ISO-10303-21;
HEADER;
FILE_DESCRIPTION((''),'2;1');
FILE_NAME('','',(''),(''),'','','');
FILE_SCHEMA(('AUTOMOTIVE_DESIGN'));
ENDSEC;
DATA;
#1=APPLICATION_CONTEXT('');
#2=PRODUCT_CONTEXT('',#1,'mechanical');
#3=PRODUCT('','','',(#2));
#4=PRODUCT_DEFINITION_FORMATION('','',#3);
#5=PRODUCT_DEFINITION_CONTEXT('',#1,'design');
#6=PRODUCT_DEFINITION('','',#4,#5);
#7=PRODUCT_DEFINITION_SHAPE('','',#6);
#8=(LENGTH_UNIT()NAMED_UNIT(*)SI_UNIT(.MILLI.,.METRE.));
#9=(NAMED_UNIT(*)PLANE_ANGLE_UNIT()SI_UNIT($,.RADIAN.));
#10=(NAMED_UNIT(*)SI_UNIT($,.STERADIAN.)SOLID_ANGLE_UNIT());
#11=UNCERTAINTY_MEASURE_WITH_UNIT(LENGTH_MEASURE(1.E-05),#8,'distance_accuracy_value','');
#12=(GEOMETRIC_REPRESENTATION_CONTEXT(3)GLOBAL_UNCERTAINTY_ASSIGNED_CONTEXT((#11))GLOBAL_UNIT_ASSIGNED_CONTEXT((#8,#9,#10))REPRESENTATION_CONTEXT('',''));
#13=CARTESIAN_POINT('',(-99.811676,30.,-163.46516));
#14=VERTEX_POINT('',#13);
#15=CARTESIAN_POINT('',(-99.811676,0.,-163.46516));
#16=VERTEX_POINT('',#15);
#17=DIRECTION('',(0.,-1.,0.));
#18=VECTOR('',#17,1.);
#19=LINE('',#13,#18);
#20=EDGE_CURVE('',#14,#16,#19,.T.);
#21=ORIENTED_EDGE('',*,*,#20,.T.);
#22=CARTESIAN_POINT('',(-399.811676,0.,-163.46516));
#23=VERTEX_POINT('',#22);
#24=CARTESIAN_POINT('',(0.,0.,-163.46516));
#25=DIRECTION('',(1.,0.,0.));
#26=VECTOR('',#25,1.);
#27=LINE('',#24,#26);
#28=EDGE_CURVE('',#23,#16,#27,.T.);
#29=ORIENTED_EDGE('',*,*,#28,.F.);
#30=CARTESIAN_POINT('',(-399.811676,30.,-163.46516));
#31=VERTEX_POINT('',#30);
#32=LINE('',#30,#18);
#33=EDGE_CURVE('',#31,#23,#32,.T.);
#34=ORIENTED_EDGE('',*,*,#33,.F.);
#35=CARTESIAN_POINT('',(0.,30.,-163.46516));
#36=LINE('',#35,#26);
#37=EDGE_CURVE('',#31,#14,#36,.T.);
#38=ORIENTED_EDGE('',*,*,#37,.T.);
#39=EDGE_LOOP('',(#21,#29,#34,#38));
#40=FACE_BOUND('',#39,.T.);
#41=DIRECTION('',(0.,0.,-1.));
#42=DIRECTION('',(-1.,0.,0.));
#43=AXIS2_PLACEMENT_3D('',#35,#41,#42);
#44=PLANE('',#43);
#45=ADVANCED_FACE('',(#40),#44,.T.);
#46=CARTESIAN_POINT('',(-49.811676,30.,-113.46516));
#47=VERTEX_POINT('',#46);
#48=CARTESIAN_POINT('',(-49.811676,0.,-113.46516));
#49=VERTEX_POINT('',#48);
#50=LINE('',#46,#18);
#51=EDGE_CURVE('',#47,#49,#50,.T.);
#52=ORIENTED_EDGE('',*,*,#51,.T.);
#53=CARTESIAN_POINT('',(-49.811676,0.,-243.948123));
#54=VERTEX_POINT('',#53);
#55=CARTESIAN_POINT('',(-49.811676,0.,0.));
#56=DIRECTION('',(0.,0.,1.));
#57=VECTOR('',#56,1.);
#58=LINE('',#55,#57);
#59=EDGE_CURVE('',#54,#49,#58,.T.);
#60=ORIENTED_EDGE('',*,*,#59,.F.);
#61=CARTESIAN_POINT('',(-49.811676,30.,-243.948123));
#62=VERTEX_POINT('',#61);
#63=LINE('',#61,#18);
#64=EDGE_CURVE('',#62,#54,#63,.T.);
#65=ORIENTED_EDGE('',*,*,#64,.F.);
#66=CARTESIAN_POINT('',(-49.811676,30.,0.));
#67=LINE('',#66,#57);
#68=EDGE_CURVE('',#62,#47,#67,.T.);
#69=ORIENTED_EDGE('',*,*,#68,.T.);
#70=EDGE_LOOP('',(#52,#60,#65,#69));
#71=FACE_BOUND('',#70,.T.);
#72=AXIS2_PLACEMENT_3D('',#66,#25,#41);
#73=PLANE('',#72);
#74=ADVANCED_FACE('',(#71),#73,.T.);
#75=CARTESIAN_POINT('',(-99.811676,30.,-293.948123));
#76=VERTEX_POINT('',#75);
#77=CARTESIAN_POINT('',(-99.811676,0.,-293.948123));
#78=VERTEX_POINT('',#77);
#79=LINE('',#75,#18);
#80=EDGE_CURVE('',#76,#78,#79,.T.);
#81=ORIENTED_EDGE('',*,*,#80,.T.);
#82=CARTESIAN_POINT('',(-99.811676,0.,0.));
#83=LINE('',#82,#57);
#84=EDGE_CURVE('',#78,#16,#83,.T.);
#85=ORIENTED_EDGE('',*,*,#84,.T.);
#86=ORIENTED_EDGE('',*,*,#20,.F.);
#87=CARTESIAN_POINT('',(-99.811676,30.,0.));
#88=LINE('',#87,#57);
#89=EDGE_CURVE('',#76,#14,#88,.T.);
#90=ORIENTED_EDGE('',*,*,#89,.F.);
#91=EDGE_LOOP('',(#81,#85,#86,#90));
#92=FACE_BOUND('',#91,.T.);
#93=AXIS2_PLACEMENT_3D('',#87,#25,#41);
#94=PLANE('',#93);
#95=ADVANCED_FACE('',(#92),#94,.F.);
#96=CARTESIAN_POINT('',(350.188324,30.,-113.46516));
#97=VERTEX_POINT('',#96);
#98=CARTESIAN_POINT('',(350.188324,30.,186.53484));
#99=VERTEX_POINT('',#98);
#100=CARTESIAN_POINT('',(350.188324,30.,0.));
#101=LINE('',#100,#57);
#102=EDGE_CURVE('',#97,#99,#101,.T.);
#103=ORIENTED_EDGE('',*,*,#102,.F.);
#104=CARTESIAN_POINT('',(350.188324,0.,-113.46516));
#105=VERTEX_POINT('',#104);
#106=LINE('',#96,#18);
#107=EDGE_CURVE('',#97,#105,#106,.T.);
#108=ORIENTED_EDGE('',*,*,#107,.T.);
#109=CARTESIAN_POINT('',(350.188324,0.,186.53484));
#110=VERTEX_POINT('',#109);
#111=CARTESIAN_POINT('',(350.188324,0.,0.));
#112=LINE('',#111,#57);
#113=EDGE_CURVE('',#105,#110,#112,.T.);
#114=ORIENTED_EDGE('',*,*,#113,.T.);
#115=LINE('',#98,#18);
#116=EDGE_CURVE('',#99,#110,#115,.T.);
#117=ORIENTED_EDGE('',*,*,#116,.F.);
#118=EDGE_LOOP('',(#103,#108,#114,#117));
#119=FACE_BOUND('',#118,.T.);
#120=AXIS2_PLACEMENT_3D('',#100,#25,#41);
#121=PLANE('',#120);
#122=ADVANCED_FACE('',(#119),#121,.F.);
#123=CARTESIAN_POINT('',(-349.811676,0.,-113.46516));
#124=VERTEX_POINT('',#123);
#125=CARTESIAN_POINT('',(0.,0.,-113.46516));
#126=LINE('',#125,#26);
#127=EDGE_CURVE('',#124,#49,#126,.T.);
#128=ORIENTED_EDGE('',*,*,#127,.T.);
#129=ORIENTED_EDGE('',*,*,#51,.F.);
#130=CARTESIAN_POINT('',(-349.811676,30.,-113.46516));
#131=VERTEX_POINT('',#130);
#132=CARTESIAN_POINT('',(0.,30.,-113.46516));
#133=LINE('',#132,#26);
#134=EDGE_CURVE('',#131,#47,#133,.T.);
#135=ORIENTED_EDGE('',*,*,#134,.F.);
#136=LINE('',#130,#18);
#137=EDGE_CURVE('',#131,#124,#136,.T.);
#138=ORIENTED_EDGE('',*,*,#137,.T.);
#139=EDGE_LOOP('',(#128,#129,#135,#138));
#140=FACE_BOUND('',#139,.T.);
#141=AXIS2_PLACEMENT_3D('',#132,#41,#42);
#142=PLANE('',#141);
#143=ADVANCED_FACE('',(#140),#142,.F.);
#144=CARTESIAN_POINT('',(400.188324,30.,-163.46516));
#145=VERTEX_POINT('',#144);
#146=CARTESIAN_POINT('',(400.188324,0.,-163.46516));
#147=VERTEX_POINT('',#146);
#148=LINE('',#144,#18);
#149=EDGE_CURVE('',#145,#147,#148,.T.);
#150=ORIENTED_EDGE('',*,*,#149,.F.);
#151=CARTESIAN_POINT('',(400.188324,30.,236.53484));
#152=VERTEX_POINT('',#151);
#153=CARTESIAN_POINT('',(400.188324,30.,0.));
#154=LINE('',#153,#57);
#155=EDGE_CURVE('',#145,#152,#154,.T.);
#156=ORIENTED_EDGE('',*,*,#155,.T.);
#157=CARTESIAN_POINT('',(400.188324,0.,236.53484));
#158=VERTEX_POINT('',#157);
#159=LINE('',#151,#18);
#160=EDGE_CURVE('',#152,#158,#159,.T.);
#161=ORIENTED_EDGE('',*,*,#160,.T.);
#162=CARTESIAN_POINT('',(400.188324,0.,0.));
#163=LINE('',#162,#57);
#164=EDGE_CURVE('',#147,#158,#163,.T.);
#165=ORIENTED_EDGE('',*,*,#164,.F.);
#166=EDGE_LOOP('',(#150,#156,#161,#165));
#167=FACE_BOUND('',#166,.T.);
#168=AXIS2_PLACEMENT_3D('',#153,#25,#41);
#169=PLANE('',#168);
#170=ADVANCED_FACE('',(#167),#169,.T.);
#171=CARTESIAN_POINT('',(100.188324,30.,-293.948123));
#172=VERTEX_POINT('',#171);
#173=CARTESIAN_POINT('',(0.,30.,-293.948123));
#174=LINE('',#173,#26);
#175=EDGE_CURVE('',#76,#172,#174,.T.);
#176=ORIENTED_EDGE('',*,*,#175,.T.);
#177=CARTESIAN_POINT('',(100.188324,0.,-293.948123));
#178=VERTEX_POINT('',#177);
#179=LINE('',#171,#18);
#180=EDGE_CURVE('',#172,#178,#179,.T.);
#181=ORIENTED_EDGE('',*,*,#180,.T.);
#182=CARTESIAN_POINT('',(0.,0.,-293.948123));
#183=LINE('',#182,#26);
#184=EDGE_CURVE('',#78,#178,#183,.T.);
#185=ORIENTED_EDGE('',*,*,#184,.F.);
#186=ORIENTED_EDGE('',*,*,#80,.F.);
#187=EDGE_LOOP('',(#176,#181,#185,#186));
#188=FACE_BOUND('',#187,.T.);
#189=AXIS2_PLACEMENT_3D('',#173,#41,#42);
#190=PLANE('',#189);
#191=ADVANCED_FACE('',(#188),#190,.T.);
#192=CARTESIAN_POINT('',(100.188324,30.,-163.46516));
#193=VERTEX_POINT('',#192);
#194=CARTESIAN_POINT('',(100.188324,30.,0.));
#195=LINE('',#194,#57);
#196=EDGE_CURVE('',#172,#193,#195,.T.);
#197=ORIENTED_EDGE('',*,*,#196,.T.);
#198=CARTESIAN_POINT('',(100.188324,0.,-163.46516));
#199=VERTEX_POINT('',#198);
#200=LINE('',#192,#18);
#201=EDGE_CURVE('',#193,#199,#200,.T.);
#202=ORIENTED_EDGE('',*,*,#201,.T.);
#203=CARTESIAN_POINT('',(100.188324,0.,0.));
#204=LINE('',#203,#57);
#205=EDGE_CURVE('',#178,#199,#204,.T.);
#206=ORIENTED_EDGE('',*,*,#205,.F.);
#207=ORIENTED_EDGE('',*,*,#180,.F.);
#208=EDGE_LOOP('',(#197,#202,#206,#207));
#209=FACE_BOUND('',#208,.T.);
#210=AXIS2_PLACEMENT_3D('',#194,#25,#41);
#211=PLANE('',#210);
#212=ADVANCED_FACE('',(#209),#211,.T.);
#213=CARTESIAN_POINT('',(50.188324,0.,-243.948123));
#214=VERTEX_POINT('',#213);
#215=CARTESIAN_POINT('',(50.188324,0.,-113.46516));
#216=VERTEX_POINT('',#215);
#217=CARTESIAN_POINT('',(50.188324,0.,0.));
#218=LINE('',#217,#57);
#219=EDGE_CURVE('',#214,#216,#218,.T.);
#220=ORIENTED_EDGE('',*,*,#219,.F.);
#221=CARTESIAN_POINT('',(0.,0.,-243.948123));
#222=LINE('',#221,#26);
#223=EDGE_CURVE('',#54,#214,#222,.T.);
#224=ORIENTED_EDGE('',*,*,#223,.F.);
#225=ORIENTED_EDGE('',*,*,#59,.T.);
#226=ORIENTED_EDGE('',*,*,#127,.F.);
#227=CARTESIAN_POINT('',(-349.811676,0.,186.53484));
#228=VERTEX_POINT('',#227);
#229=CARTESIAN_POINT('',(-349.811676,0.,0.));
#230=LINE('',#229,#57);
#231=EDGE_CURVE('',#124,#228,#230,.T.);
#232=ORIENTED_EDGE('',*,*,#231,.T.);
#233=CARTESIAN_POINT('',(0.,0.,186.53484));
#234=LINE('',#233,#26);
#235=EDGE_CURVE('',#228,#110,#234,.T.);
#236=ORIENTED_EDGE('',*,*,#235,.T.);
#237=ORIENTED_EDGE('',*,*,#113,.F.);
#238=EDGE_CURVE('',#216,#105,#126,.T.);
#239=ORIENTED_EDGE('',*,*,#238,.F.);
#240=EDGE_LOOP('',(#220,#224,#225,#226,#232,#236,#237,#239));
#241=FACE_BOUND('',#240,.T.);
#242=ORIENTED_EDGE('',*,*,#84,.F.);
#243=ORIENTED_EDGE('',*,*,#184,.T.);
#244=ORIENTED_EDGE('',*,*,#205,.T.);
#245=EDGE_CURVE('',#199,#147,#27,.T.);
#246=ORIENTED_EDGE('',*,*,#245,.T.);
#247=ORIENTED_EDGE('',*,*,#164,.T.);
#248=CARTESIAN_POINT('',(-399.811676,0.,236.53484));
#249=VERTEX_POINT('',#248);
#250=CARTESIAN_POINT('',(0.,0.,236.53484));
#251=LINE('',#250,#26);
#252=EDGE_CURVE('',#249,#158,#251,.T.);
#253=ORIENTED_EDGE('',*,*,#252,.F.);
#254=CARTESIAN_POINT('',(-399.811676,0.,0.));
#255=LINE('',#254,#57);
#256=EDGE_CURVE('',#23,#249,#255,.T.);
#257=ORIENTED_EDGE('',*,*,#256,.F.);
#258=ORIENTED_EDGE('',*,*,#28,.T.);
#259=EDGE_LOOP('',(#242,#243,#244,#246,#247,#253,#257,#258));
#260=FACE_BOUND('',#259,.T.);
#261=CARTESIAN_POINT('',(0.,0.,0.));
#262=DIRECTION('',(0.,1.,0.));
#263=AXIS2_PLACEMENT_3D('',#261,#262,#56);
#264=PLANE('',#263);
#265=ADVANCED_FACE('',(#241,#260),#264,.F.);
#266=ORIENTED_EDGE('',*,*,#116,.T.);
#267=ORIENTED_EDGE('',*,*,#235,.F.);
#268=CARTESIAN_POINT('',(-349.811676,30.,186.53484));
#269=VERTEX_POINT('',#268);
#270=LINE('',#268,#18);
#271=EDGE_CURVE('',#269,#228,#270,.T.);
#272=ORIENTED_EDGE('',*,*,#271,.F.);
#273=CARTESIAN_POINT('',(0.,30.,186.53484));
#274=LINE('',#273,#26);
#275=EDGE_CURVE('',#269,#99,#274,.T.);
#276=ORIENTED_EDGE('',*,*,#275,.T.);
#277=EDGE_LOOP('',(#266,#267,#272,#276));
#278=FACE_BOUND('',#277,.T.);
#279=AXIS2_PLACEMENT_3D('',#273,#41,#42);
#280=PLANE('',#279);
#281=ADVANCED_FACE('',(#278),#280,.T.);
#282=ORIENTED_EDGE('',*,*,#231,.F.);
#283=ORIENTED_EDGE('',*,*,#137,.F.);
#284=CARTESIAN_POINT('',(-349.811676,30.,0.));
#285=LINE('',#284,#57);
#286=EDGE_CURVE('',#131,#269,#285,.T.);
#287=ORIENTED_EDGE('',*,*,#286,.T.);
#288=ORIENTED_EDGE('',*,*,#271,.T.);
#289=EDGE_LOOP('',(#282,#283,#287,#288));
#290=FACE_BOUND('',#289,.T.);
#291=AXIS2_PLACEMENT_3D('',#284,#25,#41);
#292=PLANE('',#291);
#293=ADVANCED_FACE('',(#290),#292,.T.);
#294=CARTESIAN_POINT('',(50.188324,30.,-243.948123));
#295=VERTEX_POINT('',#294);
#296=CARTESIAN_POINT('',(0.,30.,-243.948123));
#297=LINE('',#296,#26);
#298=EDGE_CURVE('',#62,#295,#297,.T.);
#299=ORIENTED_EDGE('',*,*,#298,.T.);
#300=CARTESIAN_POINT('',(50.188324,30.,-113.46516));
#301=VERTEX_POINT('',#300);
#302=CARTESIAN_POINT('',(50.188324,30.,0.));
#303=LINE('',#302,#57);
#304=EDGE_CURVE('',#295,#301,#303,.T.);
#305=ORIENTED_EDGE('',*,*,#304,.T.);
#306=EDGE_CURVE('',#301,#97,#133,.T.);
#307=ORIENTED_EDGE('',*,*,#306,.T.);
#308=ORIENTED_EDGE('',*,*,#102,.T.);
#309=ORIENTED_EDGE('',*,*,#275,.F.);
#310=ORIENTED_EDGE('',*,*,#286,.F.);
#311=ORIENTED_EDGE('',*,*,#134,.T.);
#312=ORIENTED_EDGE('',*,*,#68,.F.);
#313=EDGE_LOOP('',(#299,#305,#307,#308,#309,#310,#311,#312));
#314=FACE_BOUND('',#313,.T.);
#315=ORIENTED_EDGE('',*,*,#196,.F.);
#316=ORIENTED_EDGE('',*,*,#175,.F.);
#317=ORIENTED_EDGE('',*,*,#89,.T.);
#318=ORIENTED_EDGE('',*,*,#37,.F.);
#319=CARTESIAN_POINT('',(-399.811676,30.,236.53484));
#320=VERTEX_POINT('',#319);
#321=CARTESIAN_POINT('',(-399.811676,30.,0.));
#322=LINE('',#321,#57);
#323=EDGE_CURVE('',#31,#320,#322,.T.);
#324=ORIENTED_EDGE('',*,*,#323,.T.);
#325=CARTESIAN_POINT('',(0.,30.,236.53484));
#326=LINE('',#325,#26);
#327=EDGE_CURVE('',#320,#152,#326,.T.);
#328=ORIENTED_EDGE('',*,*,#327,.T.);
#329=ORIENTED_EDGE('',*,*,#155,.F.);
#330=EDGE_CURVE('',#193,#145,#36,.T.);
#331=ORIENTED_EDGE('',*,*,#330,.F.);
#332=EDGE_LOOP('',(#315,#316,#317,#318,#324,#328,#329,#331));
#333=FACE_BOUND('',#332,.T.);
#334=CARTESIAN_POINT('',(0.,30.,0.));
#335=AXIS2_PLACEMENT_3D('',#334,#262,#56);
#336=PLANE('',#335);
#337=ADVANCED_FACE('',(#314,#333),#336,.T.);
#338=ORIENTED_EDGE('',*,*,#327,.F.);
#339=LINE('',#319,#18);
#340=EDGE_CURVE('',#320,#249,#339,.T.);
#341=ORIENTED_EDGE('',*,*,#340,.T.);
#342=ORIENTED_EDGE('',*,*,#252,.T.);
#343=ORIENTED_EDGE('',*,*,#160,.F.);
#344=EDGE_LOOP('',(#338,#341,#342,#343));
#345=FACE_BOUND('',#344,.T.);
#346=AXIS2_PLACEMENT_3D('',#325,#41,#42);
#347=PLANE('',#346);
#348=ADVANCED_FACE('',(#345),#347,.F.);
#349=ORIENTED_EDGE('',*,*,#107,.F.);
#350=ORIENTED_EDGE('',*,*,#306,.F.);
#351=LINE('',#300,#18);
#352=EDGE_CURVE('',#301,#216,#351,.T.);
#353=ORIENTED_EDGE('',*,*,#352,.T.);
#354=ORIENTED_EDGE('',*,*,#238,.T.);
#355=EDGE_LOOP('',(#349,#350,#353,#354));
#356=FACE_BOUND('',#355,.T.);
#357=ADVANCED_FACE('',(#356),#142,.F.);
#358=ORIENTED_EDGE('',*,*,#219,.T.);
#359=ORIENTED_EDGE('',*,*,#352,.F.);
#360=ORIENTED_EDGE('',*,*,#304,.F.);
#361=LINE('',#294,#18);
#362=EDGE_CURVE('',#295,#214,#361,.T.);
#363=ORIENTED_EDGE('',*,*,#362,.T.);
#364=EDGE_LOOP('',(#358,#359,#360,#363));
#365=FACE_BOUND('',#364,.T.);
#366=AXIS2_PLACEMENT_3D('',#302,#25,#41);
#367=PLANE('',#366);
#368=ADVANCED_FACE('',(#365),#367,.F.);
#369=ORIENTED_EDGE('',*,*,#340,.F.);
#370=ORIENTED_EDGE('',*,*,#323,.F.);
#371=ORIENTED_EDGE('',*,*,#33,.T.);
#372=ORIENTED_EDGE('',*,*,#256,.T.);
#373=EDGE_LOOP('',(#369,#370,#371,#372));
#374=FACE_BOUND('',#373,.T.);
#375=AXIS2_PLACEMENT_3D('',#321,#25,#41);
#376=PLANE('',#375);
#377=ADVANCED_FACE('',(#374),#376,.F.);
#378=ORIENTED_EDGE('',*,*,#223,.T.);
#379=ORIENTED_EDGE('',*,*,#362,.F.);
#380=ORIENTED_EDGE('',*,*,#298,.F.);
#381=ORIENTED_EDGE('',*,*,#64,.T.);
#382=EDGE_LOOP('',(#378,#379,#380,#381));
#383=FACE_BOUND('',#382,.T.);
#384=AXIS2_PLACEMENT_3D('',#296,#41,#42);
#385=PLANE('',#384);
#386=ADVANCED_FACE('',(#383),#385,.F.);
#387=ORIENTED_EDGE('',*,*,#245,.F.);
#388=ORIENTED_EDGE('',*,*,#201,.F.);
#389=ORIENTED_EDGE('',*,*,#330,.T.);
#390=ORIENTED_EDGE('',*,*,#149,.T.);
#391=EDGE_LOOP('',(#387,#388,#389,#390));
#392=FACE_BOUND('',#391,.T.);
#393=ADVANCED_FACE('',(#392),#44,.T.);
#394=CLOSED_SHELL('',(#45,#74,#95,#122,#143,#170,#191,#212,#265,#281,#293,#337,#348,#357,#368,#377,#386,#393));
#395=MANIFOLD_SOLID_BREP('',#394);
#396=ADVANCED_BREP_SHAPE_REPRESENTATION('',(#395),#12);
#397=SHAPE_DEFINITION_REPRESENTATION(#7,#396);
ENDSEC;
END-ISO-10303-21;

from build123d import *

# Parameters (mm, degrees)
BOSS_EXTRUDE4_DEPTH = 30


with BuildPart() as part:
    # Sketch1 → Boss-Extrude4 (new body)
    with BuildSketch(Plane(origin=(0, 0, 0), x_dir=(1, 0, 0), z_dir=(0, 1, 0))):
        Polygon((-99.811676083, 163.465160075), (-399.811676083, 163.465160075), (-399.811676083, -236.534839925), (400.188323917, -236.534839925), (400.188323917, 163.465160075), (100.188323917, 163.465160075), (50.188323917, 163.465160075), (50.188323917, 113.465160075), (350.188323917, 113.465160075), (350.188323917, -186.534839925), (-349.811676083, -186.534839925), (-349.811676083, 113.465160075), (-49.811676083, 113.465160075), (-49.811676083, 163.465160075), align=None)
        Polygon((-99.811676083, 293.948122897), (-99.811676083, 163.465160075), (-49.811676083, 163.465160075), (-49.811676083, 243.948122897), (50.188323917, 243.948122897), (50.188323917, 163.465160075), (100.188323917, 163.465160075), (100.188323917, 293.948122897), align=None)
    extrude(amount=BOSS_EXTRUDE4_DEPTH)


solid = part.part
